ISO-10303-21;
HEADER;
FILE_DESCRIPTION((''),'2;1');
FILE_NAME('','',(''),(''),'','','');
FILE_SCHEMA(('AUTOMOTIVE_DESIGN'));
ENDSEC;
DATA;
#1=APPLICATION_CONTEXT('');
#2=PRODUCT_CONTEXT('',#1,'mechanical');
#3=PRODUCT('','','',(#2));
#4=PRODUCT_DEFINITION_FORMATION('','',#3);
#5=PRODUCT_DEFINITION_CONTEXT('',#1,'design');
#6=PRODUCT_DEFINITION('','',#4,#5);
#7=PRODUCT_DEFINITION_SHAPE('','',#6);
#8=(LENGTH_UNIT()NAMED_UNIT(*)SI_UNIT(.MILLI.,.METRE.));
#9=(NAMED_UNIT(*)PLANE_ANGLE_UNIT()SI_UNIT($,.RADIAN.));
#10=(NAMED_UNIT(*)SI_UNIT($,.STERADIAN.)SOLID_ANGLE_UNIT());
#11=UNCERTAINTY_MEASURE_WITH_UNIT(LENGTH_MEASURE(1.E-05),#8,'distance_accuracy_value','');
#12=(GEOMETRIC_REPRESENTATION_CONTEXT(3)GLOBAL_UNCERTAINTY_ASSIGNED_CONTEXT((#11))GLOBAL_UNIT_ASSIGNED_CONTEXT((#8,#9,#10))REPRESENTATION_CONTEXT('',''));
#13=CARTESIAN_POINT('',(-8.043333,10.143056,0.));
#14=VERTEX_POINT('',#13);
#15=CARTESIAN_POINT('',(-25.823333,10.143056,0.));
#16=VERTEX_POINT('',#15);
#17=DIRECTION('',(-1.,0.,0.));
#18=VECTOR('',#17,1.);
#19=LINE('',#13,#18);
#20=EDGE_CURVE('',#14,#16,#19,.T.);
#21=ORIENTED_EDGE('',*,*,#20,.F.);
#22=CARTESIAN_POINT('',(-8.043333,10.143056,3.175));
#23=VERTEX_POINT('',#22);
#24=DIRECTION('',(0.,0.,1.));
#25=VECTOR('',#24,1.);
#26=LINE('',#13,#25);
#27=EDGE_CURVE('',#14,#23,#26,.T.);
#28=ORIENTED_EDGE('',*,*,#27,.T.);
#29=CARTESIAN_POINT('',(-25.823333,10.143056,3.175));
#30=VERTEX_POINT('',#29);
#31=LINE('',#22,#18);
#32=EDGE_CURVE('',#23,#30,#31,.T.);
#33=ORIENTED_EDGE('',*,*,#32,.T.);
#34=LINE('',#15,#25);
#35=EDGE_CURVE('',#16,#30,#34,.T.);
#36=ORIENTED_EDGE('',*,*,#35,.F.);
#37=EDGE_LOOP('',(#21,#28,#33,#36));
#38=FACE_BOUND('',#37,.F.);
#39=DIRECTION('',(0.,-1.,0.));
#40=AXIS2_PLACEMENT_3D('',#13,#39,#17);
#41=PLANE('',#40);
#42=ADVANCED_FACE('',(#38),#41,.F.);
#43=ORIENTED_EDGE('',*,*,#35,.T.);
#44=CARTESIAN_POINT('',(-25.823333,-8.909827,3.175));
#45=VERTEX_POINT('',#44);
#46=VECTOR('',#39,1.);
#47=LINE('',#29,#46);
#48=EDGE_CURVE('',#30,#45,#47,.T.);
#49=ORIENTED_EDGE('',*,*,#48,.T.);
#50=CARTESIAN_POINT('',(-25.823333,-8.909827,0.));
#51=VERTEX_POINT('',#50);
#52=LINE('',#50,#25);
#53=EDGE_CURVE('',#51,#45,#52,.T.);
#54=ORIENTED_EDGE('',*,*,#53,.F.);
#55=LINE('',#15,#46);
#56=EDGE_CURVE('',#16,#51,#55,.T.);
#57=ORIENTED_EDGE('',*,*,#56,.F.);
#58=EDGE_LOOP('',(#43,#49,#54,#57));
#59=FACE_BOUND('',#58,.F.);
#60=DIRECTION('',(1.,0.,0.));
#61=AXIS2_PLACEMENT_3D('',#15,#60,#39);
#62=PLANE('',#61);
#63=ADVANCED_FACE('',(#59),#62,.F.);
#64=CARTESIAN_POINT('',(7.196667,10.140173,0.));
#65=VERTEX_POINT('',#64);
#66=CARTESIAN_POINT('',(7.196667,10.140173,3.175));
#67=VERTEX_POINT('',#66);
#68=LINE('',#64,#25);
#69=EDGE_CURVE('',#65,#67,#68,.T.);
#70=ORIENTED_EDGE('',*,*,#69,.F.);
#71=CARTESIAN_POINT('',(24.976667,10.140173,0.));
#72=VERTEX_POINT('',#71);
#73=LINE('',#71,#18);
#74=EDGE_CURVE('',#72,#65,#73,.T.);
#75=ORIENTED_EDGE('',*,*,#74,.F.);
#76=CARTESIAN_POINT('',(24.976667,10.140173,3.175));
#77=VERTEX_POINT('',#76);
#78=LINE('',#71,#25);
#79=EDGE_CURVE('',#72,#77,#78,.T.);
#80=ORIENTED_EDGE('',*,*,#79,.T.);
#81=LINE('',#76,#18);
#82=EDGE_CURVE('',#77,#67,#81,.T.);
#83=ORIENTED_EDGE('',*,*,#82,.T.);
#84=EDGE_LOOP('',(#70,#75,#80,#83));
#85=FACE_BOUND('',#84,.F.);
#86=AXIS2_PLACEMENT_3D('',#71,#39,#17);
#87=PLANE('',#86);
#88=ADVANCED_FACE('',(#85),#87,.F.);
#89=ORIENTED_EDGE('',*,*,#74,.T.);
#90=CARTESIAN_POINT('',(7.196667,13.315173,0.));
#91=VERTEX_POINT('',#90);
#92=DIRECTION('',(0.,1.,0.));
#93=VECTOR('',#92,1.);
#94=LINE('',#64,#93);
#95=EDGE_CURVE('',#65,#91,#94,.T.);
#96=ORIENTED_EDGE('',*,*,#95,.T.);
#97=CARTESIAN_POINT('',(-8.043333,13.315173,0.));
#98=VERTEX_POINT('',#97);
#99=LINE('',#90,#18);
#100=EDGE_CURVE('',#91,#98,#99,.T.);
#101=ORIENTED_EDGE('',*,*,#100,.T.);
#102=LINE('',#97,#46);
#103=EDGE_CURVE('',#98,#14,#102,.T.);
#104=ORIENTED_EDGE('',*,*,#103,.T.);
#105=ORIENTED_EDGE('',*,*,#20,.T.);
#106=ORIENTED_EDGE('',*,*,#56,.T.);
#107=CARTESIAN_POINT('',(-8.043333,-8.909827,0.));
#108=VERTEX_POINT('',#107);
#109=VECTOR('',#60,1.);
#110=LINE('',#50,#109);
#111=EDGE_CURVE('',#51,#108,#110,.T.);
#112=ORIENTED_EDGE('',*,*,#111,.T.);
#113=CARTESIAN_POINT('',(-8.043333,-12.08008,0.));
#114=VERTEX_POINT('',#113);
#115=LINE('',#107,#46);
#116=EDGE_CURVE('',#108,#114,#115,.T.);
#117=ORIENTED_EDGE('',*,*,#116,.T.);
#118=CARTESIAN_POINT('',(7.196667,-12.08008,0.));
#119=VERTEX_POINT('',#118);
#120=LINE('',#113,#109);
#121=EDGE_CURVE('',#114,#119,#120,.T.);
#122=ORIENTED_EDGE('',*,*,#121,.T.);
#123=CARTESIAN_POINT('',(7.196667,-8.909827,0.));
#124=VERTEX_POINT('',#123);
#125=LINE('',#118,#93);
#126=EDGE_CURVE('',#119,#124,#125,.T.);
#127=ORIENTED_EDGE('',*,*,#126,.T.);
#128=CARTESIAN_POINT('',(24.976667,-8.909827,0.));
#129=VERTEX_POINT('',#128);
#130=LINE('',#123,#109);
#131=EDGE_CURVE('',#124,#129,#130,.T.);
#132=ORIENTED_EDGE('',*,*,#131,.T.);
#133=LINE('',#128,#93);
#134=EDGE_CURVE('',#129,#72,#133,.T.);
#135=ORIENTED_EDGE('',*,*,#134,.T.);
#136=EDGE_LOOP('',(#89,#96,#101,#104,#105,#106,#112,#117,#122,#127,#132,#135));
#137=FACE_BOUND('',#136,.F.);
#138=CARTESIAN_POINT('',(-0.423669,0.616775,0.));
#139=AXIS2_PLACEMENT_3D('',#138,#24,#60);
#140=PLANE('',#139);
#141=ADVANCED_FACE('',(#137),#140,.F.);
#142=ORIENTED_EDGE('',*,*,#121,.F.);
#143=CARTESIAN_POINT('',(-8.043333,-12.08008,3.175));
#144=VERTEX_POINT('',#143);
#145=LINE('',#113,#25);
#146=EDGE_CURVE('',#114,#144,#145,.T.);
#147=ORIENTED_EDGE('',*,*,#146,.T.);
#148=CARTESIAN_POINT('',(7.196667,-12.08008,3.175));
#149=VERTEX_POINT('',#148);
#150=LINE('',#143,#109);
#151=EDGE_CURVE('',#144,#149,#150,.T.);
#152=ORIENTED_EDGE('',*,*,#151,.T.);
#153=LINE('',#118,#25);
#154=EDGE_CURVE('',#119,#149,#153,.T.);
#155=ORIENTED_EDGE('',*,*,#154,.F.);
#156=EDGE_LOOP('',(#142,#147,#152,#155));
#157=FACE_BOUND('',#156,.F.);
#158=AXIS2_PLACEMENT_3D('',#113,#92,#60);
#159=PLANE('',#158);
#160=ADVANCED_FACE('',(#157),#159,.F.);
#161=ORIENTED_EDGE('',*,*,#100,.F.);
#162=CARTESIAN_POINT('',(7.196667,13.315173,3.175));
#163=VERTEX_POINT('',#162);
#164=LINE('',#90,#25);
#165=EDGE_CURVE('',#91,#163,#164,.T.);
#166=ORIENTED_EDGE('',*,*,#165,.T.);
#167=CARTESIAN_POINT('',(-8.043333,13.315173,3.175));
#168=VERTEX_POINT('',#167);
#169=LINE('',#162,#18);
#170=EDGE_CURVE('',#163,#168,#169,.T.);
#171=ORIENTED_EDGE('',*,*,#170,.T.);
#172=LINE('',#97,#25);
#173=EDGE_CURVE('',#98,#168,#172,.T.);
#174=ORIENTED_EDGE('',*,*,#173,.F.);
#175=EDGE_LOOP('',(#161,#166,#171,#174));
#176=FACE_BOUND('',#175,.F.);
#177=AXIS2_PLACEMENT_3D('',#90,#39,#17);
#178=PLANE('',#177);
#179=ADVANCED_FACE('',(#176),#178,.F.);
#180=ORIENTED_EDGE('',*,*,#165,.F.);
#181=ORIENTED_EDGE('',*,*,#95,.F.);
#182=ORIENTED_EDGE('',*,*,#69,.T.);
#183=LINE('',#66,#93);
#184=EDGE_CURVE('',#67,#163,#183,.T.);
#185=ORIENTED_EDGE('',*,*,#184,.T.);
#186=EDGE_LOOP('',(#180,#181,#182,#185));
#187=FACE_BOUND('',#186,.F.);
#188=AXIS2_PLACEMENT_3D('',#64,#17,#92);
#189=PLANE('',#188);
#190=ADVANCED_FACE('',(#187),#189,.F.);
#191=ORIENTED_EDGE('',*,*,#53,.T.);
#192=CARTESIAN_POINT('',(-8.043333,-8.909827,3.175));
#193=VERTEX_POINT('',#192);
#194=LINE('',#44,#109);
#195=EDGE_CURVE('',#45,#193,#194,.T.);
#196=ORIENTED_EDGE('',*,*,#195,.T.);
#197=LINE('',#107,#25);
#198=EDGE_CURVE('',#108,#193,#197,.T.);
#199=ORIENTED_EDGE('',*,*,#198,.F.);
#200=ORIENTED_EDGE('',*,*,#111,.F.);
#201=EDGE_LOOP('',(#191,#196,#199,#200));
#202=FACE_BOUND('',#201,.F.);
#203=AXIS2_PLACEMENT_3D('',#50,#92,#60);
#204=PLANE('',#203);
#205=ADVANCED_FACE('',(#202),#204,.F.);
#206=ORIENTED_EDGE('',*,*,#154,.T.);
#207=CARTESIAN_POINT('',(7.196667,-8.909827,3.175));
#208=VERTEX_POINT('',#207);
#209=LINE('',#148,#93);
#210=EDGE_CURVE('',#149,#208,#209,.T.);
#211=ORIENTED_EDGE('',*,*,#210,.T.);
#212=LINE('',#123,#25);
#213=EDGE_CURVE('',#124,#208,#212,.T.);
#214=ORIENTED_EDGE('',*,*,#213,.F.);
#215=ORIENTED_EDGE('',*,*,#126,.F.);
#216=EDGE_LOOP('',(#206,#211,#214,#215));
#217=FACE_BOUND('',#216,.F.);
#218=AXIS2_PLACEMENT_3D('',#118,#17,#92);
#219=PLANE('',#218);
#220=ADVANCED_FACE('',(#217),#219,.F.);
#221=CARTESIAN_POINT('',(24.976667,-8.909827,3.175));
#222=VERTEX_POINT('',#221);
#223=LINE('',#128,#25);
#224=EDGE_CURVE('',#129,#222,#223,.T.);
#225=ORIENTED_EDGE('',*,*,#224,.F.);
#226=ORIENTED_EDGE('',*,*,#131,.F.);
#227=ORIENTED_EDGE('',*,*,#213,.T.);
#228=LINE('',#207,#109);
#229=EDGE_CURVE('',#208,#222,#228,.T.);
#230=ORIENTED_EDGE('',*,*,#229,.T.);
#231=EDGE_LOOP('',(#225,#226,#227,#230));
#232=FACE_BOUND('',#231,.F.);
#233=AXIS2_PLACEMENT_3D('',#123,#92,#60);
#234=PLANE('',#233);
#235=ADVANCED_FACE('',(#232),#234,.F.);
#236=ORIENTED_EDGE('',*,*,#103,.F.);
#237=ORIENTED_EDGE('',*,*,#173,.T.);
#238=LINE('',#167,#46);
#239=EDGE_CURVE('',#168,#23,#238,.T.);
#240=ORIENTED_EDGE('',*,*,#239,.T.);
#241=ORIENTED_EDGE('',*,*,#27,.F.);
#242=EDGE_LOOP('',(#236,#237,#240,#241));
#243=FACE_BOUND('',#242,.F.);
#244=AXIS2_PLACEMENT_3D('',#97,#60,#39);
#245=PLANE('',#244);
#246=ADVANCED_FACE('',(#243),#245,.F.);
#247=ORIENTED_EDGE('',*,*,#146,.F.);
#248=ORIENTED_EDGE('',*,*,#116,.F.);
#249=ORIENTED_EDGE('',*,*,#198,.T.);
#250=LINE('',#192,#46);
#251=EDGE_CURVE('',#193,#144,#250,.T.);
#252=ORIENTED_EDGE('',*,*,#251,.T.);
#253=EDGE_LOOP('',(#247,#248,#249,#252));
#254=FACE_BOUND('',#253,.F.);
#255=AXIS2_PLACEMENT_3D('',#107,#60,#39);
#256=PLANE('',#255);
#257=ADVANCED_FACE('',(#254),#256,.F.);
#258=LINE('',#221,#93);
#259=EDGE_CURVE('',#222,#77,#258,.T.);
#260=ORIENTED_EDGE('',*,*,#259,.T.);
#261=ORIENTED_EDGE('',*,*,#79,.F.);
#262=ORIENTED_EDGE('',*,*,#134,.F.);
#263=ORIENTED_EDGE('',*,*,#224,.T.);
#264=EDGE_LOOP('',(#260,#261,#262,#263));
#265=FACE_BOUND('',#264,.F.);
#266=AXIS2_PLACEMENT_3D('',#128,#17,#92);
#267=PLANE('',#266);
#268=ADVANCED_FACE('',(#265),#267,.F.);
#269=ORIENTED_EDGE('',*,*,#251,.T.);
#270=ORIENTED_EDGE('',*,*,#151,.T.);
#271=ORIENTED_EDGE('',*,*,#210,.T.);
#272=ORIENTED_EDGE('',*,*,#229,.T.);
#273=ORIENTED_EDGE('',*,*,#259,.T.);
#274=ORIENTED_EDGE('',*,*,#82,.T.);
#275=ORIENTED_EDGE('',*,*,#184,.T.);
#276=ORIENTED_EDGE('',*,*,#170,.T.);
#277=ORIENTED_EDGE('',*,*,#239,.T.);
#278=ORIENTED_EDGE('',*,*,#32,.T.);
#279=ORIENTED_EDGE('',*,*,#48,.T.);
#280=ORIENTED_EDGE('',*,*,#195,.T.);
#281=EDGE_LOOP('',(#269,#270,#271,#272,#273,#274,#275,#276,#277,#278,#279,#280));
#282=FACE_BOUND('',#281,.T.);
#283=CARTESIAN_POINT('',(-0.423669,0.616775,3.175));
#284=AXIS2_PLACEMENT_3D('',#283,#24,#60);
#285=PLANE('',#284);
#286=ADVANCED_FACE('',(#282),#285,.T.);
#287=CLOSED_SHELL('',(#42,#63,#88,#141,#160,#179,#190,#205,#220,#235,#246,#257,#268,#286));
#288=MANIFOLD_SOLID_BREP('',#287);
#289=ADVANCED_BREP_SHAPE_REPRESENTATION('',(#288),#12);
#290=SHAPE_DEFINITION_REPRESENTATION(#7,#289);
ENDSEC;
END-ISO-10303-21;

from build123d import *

# Parameters (mm, degrees)
F1_DEPTH = 3.175


with BuildPart() as f1:
    # F0 (on Top) → F1 (new body)
    with BuildSketch(Plane.XY):
        Polygon((-8.043333, -12.08008), (7.196667, -12.08008), (7.196667, -8.909827), (24.976667, -8.909827), (24.976667, -5.734827), (24.976667, 6.972516), (24.976667, 10.140173), (7.196667, 10.140173), (7.196667, 13.315173), (-8.043333, 13.315173), (-8.043333, 10.143056), (-25.823333, 10.143056), (-25.823333, 6.970938), (-25.823333, -5.734827), (-25.823333, -8.909827), (-8.043333, -8.909827), align=None)
    extrude(amount=F1_DEPTH)


solid = f1.part
